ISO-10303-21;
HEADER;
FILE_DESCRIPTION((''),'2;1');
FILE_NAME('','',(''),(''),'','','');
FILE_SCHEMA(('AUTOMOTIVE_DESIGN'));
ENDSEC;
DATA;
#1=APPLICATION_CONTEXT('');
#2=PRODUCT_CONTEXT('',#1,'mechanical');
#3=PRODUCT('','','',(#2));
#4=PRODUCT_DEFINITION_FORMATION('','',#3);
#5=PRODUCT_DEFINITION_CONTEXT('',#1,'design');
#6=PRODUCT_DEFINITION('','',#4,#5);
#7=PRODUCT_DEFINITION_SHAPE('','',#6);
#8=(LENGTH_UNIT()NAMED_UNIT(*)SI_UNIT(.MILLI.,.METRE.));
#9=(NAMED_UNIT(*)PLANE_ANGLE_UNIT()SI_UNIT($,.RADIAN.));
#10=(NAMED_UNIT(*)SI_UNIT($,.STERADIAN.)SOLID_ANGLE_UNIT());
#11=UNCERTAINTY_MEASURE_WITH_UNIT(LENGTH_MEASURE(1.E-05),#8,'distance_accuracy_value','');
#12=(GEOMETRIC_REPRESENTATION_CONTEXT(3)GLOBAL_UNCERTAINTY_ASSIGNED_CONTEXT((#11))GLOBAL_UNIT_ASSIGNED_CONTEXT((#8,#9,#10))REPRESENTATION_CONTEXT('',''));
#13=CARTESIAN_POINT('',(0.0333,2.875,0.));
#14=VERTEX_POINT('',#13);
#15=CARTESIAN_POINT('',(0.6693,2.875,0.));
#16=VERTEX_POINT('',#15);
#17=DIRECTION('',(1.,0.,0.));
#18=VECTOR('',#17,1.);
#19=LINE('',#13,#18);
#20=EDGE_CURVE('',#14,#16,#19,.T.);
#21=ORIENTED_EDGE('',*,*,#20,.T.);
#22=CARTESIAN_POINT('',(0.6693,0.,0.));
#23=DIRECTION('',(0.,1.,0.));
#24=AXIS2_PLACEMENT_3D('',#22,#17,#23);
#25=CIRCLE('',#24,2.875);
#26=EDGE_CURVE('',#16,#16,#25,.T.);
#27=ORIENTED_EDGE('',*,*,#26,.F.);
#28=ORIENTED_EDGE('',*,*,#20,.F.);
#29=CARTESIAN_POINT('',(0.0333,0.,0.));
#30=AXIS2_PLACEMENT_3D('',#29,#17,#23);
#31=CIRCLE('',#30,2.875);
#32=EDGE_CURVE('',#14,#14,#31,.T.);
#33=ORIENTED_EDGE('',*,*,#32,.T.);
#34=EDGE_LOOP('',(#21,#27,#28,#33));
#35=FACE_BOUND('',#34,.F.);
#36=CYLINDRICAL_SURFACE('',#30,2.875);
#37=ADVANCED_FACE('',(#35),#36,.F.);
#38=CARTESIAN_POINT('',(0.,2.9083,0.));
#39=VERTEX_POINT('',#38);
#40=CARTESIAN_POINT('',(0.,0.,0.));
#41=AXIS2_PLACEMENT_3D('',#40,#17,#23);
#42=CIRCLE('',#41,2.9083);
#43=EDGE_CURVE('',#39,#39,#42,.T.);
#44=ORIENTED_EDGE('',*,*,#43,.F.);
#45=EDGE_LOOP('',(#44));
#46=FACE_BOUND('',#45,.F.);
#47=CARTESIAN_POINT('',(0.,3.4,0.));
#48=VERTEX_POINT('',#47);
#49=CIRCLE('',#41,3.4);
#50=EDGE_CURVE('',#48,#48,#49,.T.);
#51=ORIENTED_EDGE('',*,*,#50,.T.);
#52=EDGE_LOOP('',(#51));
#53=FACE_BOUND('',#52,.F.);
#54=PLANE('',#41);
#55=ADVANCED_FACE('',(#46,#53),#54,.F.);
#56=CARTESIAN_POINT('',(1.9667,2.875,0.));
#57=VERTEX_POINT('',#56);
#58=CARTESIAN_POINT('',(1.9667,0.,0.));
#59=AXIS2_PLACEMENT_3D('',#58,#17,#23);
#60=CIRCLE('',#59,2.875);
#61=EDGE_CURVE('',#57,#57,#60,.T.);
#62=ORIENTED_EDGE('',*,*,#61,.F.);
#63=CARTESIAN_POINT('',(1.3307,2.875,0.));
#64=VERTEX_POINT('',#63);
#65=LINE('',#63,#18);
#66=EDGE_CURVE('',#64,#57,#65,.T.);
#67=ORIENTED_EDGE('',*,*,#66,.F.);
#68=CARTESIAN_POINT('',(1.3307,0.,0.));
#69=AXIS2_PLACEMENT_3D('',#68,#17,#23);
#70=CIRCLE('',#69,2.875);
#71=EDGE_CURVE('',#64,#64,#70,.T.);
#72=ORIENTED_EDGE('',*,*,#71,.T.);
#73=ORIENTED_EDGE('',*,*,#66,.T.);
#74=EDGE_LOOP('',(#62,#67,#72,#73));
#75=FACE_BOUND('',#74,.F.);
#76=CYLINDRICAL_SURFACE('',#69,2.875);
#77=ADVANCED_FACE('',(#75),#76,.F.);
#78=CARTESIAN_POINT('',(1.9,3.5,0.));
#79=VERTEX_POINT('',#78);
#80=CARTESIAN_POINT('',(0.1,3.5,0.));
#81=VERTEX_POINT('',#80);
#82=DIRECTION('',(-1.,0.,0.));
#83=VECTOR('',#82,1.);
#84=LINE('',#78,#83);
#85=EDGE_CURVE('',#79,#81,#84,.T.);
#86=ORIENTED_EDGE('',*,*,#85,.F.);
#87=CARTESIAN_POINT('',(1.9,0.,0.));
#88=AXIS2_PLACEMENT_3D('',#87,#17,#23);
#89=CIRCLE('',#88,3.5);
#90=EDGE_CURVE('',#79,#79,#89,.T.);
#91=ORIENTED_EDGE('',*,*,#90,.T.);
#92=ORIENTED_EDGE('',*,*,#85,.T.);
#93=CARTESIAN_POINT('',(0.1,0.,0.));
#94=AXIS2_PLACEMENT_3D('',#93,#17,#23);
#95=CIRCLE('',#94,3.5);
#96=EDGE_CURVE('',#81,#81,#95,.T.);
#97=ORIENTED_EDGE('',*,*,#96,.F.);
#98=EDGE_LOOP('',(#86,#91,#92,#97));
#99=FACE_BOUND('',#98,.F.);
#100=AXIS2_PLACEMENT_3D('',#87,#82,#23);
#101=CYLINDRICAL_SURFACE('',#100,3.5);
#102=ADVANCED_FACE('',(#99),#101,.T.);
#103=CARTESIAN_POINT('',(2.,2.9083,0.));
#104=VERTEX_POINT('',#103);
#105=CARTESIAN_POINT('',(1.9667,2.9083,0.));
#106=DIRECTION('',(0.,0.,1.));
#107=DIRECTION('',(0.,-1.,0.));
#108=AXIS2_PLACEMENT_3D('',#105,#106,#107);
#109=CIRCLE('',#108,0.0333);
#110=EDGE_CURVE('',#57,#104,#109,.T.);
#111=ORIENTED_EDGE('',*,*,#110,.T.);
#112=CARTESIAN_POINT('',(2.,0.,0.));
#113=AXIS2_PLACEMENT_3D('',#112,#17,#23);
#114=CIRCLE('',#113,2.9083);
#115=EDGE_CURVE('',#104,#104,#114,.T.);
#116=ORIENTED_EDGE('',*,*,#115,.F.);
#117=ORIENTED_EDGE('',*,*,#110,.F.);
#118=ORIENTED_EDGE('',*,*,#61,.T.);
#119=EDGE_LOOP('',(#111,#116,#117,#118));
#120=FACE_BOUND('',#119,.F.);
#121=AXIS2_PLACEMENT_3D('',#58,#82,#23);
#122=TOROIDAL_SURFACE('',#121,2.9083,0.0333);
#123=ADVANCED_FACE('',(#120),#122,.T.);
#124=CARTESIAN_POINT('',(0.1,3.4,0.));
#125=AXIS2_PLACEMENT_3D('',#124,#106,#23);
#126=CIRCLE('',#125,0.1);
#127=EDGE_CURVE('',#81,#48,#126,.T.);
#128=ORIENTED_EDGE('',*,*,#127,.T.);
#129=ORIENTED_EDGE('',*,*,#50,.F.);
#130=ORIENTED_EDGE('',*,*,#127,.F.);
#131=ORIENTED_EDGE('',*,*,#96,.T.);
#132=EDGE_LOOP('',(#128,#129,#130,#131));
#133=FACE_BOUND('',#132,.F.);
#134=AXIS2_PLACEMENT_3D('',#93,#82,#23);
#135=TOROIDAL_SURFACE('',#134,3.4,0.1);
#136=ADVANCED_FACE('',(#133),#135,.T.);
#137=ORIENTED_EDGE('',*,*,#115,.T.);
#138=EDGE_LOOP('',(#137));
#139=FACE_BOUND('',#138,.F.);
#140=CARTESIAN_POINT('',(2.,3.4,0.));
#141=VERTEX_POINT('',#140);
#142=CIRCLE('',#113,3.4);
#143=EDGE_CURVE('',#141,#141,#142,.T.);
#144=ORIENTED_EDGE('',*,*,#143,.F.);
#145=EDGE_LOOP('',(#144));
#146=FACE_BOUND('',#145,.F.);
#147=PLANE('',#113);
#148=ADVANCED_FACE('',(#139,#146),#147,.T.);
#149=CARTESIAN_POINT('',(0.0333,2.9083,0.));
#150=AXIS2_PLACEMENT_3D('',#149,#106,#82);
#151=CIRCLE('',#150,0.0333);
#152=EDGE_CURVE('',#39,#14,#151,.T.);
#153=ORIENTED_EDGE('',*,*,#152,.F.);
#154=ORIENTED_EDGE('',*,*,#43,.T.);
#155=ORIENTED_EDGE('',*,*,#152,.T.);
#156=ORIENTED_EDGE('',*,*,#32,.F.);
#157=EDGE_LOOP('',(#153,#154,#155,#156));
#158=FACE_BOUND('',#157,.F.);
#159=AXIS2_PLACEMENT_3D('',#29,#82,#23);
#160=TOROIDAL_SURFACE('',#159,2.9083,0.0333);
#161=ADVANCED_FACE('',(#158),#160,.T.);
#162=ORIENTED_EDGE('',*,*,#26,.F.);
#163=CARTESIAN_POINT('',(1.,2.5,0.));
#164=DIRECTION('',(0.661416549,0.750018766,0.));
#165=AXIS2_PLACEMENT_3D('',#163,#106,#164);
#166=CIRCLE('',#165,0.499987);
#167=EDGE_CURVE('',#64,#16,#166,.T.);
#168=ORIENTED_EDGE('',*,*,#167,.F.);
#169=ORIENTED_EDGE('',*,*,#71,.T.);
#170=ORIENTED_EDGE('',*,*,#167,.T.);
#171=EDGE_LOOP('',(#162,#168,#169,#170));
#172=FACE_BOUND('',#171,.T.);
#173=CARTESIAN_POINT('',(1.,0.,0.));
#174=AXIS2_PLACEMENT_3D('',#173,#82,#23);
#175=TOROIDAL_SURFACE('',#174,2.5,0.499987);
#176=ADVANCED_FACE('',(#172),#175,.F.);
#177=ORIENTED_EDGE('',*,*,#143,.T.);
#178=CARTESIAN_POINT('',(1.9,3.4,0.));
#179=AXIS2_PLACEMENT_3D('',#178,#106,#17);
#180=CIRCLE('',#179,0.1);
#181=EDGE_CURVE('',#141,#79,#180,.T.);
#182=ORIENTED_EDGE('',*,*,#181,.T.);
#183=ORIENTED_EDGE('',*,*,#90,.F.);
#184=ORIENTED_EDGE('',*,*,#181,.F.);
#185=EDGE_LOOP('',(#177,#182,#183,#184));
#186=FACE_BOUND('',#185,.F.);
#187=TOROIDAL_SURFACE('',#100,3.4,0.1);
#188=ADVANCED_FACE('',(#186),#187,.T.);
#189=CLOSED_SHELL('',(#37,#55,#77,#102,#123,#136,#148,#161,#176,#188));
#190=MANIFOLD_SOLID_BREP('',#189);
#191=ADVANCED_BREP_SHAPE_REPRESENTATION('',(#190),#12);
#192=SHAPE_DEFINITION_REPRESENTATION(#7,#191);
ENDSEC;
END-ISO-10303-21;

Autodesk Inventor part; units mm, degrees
ref_plane "YZ Plane" through (0, 0, 0) normal (1, 0, 0) x (0, 1, 0)
ref_plane "XZ Plane" through (0, 0, 0) normal (0, 1, 0) x (-1, 0, 0)
ref_plane "XY Plane" through (0, 0, 0) normal (0, 0, 1) x (1, 0, 0)
sketch "Sketch_7" plane through (0, 0, 0) normal (0, 0, 1) x (1, 0, 0)
  line L0 (2, 0) -> (-2, 0)
  arc A0 (0, 2.9083) -> (0.0333, 2.875) centre (0.0333, 2.9083) ccw
  line L1 (0.0333, 2.875) -> (0.6693, 2.875)
  arc A1 (1.3307, 2.875) -> (0.6693, 2.875) centre (1, 2.5) ccw
  line L2 (1.3307, 2.875) -> (1.9667, 2.875)
  arc A2 (1.9667, 2.875) -> (2, 2.9083) centre (1.9667, 2.9083) ccw
  line L3 (2, 2.9083) -> (2, 3.4)
  arc A3 (2, 3.4) -> (1.9, 3.5) centre (1.9, 3.4) ccw
  line L4 (1.9, 3.5) -> (0.1, 3.5)
  arc A4 (0.1, 3.5) -> (0, 3.4) centre (0.1, 3.4) ccw
  line L5 (0, 3.4) -> (0, 2.9083)
revolve "Revolution1" add sketch "Sketch_7" angle 360 about axis through (2, 0, 0) along (1, 0, 0)
properties part number "W 618/3_PART2"
